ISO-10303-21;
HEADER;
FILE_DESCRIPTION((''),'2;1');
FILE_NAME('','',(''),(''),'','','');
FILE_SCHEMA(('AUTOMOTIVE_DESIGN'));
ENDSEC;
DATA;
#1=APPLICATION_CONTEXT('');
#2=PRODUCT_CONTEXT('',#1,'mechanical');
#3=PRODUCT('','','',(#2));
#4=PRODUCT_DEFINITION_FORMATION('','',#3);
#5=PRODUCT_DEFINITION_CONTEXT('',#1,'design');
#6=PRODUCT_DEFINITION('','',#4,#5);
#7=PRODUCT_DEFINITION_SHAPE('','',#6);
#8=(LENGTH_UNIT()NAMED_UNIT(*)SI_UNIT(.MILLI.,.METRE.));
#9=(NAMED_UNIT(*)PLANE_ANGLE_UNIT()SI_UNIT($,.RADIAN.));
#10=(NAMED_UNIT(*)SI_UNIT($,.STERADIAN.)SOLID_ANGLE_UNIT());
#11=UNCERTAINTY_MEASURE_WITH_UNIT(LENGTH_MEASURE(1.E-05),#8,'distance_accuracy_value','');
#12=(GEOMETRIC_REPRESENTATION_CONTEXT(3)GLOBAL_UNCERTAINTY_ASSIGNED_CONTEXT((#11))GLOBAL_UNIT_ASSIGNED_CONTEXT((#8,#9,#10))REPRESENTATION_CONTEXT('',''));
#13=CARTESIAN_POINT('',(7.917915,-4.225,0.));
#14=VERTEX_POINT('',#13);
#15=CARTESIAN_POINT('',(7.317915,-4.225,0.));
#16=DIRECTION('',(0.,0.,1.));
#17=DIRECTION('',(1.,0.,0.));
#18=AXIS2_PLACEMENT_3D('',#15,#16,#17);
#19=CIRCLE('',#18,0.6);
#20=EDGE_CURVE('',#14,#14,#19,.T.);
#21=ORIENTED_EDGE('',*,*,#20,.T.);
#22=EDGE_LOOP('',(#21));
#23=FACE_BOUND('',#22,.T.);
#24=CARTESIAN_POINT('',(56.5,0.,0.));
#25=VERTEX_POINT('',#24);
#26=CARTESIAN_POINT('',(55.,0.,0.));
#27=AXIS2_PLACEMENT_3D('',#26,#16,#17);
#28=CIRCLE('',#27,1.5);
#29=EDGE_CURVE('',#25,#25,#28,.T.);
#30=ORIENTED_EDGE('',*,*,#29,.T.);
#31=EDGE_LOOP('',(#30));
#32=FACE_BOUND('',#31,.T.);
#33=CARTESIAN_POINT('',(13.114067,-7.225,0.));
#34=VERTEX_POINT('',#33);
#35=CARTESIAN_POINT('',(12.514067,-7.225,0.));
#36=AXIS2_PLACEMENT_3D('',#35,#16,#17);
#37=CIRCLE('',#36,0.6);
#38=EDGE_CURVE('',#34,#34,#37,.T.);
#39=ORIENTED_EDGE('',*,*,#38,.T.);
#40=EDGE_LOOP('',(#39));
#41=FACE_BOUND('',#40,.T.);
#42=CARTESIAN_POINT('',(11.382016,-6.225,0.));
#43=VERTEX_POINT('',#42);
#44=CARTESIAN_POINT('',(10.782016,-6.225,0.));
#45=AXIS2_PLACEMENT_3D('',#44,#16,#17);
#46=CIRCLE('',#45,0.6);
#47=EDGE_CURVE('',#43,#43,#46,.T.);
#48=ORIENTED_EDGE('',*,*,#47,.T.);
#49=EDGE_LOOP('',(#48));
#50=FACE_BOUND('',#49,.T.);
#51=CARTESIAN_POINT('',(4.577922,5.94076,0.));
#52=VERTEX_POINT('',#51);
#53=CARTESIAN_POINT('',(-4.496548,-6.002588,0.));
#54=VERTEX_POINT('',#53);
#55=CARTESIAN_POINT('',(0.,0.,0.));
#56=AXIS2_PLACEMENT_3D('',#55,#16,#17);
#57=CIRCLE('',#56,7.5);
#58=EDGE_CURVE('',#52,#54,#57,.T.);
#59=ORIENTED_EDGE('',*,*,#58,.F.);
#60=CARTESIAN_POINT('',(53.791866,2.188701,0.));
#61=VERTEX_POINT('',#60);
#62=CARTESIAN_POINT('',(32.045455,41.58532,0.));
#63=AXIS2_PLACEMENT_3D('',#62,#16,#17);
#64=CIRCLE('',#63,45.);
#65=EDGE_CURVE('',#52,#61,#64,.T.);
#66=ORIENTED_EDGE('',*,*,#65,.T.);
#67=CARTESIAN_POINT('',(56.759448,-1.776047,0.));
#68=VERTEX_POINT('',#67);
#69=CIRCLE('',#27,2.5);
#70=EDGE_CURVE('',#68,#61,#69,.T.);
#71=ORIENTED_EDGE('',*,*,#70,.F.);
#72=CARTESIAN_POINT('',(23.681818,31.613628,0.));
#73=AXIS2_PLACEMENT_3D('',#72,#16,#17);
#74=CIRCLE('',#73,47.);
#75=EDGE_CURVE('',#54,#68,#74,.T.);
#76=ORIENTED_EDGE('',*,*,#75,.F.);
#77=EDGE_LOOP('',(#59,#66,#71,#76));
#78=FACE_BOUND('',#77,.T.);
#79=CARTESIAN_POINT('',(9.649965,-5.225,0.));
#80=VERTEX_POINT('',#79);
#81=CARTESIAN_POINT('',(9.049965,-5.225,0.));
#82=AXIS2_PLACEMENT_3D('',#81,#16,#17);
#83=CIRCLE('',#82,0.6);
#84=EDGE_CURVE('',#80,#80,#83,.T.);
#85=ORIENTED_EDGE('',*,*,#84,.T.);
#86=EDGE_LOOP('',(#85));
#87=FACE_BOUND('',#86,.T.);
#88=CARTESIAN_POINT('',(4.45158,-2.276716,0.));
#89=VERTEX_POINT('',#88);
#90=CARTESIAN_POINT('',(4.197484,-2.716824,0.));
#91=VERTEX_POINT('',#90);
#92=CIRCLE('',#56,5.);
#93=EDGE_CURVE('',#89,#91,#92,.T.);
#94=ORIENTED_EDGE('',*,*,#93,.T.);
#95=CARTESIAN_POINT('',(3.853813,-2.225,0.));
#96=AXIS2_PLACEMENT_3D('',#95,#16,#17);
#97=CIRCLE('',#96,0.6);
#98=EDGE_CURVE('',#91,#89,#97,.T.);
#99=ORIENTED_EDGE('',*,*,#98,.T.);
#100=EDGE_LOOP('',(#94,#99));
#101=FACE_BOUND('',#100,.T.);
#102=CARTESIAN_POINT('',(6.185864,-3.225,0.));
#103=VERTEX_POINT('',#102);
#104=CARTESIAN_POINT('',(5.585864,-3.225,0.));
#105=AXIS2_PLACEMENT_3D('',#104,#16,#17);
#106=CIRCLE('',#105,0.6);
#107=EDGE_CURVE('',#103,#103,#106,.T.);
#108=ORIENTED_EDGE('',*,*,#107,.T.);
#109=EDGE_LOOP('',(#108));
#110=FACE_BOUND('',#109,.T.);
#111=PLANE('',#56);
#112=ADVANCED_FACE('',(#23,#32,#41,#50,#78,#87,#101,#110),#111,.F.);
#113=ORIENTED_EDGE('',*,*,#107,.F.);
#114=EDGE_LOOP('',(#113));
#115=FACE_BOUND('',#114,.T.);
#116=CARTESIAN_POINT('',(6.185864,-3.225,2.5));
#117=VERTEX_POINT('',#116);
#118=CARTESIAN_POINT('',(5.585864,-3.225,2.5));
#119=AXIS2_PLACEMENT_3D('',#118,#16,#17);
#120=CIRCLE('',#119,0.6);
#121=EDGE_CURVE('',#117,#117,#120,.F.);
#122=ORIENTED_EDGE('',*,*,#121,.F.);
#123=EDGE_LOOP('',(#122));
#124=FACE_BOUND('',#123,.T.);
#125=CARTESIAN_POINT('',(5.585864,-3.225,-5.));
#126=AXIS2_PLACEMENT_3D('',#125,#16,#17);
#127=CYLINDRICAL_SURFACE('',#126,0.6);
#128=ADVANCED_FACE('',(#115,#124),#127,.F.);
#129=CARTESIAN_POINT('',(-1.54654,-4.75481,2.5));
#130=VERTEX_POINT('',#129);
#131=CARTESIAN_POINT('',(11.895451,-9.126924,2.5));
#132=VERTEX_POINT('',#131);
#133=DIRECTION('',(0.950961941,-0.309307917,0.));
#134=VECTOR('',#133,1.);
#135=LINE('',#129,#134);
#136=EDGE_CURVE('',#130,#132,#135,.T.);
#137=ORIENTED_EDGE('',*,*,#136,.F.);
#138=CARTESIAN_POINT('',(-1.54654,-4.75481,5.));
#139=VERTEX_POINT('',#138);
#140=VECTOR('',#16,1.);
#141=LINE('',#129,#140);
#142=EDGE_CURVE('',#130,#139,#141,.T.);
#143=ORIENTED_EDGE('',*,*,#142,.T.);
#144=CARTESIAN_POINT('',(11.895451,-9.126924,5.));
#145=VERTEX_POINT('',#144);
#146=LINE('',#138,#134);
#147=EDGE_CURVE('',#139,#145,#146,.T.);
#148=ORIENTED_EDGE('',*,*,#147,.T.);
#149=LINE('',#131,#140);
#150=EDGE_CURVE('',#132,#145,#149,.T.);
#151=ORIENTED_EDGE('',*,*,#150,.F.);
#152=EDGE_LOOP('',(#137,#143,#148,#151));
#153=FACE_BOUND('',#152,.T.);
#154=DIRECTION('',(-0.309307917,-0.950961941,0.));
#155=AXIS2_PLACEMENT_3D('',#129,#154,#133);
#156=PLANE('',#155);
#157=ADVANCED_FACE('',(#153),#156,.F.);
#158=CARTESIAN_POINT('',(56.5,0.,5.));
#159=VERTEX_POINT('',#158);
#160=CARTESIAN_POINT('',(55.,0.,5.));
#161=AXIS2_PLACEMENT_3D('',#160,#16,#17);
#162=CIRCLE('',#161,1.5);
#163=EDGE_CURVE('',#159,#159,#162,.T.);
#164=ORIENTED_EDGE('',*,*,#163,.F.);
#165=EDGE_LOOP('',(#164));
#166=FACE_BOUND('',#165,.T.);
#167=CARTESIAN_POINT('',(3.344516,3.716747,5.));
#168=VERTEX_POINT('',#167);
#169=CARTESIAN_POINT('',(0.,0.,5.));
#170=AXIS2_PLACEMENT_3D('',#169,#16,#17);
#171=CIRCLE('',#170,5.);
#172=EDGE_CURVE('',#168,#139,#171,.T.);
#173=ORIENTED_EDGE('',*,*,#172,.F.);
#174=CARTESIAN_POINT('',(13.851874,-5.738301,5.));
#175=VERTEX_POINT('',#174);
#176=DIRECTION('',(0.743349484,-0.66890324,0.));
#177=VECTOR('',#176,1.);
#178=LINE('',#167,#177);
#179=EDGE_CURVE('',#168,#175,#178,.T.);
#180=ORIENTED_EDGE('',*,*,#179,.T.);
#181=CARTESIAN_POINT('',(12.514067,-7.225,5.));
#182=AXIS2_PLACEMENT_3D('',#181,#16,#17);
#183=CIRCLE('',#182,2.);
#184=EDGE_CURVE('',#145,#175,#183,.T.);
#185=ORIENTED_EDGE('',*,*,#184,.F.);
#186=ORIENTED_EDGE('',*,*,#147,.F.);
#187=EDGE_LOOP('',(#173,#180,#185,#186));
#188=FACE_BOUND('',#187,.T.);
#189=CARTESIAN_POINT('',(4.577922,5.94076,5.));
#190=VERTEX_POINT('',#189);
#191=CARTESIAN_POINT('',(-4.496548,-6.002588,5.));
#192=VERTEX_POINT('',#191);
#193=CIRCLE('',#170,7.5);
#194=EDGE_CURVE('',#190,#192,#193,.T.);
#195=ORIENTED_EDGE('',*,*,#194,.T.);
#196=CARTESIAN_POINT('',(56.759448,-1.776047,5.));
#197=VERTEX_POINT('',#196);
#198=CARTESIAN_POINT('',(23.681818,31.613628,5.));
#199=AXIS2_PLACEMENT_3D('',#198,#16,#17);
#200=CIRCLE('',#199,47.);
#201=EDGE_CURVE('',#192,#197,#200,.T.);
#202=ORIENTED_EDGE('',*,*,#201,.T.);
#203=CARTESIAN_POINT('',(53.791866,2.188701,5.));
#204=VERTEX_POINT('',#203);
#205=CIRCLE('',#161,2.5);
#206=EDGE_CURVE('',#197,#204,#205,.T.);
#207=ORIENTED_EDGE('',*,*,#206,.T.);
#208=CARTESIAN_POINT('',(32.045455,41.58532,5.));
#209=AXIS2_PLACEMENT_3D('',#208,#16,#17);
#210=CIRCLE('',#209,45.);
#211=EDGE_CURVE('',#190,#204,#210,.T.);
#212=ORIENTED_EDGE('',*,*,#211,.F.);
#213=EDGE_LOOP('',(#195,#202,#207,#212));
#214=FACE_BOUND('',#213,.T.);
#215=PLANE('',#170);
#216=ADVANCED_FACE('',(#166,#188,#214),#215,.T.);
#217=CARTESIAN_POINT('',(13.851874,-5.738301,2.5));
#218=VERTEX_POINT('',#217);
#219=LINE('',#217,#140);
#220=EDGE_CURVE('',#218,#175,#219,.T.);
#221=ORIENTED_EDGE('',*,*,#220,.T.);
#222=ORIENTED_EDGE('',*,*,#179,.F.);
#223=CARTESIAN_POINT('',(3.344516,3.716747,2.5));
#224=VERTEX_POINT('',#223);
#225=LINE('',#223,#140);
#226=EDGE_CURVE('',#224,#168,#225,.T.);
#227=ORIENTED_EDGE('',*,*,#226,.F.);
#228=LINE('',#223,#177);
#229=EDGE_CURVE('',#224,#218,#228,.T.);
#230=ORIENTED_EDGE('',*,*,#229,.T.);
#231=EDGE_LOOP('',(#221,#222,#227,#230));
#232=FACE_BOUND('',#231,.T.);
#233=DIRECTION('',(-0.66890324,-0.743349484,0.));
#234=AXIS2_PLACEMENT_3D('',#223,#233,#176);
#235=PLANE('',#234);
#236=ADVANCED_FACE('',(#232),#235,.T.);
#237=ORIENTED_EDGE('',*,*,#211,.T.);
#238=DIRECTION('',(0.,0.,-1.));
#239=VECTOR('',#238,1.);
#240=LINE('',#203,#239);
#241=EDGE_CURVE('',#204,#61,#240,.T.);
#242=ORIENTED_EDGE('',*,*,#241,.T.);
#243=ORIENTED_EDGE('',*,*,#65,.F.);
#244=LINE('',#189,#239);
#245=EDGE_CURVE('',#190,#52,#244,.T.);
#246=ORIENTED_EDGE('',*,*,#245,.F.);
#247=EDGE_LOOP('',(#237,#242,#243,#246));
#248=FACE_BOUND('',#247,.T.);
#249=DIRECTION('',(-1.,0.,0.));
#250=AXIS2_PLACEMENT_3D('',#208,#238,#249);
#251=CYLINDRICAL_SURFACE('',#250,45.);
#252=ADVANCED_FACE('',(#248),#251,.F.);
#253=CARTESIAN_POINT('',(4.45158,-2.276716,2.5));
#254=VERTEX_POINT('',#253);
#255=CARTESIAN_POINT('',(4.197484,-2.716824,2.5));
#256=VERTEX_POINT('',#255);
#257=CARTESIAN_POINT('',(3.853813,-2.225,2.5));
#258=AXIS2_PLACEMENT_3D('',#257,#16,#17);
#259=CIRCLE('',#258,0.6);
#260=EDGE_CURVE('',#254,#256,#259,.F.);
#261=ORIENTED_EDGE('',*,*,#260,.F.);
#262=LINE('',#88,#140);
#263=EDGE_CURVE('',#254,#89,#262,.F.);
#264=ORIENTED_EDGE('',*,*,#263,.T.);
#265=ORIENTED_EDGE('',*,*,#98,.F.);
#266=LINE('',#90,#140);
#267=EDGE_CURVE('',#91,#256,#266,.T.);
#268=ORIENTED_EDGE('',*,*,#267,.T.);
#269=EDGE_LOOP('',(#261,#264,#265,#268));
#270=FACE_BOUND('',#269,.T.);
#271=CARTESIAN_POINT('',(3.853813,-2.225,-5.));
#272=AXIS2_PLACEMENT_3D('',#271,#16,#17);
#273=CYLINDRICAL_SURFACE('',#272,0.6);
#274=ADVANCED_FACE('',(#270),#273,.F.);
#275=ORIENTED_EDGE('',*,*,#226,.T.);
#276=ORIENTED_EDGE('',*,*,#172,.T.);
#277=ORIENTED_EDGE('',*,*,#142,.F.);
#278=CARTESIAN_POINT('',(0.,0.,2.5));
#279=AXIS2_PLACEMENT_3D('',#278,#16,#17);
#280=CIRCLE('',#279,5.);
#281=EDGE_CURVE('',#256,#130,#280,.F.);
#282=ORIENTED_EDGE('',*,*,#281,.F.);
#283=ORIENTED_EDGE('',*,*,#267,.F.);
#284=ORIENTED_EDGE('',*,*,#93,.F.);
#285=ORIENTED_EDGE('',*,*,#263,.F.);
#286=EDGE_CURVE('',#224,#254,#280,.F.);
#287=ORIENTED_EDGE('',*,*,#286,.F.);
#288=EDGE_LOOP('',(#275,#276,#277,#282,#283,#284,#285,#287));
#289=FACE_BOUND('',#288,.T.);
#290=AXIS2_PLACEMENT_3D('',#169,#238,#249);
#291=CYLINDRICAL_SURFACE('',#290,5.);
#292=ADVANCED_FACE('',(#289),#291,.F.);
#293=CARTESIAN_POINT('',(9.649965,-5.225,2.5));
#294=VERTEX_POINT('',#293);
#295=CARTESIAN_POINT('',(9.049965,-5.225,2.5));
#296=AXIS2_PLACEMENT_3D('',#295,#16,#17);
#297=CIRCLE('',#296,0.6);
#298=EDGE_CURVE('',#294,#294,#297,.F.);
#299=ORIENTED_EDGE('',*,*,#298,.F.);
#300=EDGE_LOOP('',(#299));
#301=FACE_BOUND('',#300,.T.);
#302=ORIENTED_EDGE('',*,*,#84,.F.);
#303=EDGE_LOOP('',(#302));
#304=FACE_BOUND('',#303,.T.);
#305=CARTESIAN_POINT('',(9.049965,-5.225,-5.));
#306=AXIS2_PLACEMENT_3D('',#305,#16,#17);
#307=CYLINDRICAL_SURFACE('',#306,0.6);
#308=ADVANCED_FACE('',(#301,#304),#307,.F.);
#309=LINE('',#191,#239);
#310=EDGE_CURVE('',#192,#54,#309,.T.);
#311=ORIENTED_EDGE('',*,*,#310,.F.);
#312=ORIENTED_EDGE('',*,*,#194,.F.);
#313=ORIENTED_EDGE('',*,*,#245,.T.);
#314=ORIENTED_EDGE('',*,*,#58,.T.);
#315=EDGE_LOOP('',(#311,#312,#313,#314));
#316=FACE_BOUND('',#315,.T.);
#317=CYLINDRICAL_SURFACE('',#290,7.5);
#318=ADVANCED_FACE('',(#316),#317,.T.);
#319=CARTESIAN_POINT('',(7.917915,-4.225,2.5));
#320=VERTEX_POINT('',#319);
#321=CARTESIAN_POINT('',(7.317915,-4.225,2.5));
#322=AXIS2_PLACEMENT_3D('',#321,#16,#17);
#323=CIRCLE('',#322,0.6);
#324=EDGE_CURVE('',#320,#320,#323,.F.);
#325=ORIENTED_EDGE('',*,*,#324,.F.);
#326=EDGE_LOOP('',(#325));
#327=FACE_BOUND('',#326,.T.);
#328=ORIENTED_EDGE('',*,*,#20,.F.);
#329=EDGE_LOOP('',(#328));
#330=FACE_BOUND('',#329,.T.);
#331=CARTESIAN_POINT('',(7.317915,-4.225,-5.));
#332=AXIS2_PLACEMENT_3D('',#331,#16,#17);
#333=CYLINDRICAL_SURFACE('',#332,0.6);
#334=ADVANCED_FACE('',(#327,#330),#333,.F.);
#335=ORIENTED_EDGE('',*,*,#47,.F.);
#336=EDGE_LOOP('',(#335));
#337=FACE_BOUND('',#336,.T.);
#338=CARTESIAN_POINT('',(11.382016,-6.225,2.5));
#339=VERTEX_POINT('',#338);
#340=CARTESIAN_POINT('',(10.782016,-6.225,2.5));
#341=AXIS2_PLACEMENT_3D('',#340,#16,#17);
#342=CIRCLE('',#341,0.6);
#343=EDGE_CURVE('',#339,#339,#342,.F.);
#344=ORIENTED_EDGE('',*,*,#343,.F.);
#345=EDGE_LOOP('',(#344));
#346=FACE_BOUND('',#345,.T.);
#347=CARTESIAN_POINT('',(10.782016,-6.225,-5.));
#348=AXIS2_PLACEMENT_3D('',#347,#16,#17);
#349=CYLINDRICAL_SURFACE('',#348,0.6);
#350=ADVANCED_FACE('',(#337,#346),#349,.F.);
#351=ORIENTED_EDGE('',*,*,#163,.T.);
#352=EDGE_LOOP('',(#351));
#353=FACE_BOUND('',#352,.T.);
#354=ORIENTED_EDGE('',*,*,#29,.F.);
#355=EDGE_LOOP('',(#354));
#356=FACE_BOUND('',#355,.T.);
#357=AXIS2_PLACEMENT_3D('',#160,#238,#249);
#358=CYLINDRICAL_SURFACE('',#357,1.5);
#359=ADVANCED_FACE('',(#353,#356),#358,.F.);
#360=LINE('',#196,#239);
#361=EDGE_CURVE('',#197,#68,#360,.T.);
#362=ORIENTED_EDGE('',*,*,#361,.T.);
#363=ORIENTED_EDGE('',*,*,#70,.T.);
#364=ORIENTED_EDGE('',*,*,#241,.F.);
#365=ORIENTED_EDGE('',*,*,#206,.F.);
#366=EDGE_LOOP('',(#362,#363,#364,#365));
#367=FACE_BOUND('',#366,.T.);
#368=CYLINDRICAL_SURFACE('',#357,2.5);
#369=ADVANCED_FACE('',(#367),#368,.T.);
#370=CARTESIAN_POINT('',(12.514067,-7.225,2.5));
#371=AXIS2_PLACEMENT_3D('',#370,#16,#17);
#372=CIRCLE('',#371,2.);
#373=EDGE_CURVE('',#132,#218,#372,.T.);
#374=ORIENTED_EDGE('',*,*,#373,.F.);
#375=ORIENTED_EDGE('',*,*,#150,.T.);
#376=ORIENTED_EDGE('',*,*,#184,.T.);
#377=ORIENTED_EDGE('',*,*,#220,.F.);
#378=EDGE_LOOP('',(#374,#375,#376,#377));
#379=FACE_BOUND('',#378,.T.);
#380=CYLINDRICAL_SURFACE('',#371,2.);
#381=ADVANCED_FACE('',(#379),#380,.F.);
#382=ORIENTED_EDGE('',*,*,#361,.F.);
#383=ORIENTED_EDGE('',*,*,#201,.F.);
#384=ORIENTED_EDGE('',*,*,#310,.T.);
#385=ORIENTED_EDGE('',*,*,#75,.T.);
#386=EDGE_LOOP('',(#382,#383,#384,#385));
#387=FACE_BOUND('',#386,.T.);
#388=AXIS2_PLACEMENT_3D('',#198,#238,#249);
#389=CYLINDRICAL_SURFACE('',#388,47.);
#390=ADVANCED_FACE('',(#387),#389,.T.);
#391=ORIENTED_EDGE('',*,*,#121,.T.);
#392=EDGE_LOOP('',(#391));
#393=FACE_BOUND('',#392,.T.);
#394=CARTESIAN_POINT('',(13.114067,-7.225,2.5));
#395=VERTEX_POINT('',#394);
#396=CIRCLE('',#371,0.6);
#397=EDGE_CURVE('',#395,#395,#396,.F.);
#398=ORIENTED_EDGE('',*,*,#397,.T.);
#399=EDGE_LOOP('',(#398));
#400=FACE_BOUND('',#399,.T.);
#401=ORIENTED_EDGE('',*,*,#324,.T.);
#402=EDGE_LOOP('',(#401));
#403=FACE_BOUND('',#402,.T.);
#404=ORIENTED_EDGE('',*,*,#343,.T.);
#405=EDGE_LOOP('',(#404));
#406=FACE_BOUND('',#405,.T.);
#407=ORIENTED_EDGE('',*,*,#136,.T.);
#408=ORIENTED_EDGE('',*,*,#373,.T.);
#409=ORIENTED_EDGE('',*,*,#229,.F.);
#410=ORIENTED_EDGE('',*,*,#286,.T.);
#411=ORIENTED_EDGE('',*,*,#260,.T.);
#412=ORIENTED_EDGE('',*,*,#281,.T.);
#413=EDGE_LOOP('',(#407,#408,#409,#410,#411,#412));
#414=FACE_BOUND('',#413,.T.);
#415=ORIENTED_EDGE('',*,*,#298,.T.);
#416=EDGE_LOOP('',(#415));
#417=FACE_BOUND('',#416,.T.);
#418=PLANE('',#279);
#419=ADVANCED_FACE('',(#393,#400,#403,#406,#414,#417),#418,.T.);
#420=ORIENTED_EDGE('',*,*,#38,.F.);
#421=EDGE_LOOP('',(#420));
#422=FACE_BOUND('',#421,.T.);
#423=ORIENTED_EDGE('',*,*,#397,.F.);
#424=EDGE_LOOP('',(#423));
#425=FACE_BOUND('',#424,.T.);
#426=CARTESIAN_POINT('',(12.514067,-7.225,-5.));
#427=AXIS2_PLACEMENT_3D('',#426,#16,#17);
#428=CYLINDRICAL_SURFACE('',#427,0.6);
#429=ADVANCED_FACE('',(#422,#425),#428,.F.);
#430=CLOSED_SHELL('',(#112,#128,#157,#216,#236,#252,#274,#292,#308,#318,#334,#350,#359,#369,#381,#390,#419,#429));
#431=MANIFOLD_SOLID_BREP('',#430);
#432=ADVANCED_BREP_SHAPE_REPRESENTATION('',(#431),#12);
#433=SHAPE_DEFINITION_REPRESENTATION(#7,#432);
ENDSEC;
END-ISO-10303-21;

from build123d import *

# Parameters (mm, degrees)
SKETCH1_R           = 7.5
SKETCH1_R_2         = 5
SKETCH1_R_3         = 2.5
SKETCH1_R_4         = 1.5
BOSS_EXTRUDE1_DEPTH = 5
SKETCH2_R           = 0.6
CUT_EXTRUDE1_DEPTH  = 10
CUT_EXTRUDE2_START  = -2.5
CUT_EXTRUDE2_DEPTH  = 2.5


with BuildPart() as part:
    # Sketch1 → Boss-Extrude1 (new body)
    # profile 1 of 3: a face of its own
    with BuildSketch(Plane.XY):
        with BuildLine():
            ThreePointArc((53.791866029, 2.188701055), (28.624593116, -3.284466085), (4.577922078, 5.940760006))
            ThreePointArc((4.577922078, 5.940760006), (6.729948573, 3.310255611), (7.5, 0))
            ThreePointArc((7.5, 0), (3.356031274, -6.707238932), (-4.496547756, -6.002587632))
            ThreePointArc((-4.496547756, -6.002587632), (26.917032253, -15.274892681), (56.759448417, -1.776046528))
            ThreePointArc((56.759448417, -1.776046528), (52.998552336, -1.498067838), (53.791866029, 2.188701055))
        make_face()
    # profile 2 of 3: a face of its own
    with BuildSketch(Plane.XY):
        Circle(SKETCH1_R)
        Circle(SKETCH1_R_2, mode=Mode.SUBTRACT)
    # profile 3 of 3: a face of its own
    with BuildSketch(Plane.XY):
        with Locations((55, 0)):
            Circle(SKETCH1_R_3)
        with Locations((55, 0)):
            Circle(SKETCH1_R_4, mode=Mode.SUBTRACT)
    extrude(amount=BOSS_EXTRUDE1_DEPTH)

    # Sketch2 → Cut-Extrude1 (cut)
    with BuildSketch(Plane.XY.offset(5)):
        with Locations((3.853813047, -2.225)):
            Circle(SKETCH2_R)
        with Locations((5.585863854, -3.225)):
            Circle(SKETCH2_R)
        with Locations((7.317914662, -4.225)):
            Circle(SKETCH2_R)
        with Locations((9.04996547, -5.225)):
            Circle(SKETCH2_R)
        with Locations((10.782016277, -6.225)):
            Circle(SKETCH2_R)
        with Locations((12.514067085, -7.225)):
            Circle(SKETCH2_R)
    extrude(amount=-CUT_EXTRUDE1_DEPTH, mode=Mode.SUBTRACT)

    # Sketch3 → Cut-Extrude2 (cut)
    with BuildSketch(Plane.XY.offset(5).offset(CUT_EXTRUDE2_START)):
        with BuildLine():
            Line((13.851873565, -5.738301032), (3.344516201, 3.71674742))
            ThreePointArc((3.344516201, 3.71674742), (4.330127019, -2.5), (-1.546539584, -4.754809703))
            Line((-1.546539584, -4.754809703), (11.895451251, -9.126923881))
            ThreePointArc((11.895451251, -9.126923881), (14.246117892, -8.225), (13.851873565, -5.738301032))
        make_face()
    extrude(amount=CUT_EXTRUDE2_DEPTH, mode=Mode.SUBTRACT)


solid = part.part
